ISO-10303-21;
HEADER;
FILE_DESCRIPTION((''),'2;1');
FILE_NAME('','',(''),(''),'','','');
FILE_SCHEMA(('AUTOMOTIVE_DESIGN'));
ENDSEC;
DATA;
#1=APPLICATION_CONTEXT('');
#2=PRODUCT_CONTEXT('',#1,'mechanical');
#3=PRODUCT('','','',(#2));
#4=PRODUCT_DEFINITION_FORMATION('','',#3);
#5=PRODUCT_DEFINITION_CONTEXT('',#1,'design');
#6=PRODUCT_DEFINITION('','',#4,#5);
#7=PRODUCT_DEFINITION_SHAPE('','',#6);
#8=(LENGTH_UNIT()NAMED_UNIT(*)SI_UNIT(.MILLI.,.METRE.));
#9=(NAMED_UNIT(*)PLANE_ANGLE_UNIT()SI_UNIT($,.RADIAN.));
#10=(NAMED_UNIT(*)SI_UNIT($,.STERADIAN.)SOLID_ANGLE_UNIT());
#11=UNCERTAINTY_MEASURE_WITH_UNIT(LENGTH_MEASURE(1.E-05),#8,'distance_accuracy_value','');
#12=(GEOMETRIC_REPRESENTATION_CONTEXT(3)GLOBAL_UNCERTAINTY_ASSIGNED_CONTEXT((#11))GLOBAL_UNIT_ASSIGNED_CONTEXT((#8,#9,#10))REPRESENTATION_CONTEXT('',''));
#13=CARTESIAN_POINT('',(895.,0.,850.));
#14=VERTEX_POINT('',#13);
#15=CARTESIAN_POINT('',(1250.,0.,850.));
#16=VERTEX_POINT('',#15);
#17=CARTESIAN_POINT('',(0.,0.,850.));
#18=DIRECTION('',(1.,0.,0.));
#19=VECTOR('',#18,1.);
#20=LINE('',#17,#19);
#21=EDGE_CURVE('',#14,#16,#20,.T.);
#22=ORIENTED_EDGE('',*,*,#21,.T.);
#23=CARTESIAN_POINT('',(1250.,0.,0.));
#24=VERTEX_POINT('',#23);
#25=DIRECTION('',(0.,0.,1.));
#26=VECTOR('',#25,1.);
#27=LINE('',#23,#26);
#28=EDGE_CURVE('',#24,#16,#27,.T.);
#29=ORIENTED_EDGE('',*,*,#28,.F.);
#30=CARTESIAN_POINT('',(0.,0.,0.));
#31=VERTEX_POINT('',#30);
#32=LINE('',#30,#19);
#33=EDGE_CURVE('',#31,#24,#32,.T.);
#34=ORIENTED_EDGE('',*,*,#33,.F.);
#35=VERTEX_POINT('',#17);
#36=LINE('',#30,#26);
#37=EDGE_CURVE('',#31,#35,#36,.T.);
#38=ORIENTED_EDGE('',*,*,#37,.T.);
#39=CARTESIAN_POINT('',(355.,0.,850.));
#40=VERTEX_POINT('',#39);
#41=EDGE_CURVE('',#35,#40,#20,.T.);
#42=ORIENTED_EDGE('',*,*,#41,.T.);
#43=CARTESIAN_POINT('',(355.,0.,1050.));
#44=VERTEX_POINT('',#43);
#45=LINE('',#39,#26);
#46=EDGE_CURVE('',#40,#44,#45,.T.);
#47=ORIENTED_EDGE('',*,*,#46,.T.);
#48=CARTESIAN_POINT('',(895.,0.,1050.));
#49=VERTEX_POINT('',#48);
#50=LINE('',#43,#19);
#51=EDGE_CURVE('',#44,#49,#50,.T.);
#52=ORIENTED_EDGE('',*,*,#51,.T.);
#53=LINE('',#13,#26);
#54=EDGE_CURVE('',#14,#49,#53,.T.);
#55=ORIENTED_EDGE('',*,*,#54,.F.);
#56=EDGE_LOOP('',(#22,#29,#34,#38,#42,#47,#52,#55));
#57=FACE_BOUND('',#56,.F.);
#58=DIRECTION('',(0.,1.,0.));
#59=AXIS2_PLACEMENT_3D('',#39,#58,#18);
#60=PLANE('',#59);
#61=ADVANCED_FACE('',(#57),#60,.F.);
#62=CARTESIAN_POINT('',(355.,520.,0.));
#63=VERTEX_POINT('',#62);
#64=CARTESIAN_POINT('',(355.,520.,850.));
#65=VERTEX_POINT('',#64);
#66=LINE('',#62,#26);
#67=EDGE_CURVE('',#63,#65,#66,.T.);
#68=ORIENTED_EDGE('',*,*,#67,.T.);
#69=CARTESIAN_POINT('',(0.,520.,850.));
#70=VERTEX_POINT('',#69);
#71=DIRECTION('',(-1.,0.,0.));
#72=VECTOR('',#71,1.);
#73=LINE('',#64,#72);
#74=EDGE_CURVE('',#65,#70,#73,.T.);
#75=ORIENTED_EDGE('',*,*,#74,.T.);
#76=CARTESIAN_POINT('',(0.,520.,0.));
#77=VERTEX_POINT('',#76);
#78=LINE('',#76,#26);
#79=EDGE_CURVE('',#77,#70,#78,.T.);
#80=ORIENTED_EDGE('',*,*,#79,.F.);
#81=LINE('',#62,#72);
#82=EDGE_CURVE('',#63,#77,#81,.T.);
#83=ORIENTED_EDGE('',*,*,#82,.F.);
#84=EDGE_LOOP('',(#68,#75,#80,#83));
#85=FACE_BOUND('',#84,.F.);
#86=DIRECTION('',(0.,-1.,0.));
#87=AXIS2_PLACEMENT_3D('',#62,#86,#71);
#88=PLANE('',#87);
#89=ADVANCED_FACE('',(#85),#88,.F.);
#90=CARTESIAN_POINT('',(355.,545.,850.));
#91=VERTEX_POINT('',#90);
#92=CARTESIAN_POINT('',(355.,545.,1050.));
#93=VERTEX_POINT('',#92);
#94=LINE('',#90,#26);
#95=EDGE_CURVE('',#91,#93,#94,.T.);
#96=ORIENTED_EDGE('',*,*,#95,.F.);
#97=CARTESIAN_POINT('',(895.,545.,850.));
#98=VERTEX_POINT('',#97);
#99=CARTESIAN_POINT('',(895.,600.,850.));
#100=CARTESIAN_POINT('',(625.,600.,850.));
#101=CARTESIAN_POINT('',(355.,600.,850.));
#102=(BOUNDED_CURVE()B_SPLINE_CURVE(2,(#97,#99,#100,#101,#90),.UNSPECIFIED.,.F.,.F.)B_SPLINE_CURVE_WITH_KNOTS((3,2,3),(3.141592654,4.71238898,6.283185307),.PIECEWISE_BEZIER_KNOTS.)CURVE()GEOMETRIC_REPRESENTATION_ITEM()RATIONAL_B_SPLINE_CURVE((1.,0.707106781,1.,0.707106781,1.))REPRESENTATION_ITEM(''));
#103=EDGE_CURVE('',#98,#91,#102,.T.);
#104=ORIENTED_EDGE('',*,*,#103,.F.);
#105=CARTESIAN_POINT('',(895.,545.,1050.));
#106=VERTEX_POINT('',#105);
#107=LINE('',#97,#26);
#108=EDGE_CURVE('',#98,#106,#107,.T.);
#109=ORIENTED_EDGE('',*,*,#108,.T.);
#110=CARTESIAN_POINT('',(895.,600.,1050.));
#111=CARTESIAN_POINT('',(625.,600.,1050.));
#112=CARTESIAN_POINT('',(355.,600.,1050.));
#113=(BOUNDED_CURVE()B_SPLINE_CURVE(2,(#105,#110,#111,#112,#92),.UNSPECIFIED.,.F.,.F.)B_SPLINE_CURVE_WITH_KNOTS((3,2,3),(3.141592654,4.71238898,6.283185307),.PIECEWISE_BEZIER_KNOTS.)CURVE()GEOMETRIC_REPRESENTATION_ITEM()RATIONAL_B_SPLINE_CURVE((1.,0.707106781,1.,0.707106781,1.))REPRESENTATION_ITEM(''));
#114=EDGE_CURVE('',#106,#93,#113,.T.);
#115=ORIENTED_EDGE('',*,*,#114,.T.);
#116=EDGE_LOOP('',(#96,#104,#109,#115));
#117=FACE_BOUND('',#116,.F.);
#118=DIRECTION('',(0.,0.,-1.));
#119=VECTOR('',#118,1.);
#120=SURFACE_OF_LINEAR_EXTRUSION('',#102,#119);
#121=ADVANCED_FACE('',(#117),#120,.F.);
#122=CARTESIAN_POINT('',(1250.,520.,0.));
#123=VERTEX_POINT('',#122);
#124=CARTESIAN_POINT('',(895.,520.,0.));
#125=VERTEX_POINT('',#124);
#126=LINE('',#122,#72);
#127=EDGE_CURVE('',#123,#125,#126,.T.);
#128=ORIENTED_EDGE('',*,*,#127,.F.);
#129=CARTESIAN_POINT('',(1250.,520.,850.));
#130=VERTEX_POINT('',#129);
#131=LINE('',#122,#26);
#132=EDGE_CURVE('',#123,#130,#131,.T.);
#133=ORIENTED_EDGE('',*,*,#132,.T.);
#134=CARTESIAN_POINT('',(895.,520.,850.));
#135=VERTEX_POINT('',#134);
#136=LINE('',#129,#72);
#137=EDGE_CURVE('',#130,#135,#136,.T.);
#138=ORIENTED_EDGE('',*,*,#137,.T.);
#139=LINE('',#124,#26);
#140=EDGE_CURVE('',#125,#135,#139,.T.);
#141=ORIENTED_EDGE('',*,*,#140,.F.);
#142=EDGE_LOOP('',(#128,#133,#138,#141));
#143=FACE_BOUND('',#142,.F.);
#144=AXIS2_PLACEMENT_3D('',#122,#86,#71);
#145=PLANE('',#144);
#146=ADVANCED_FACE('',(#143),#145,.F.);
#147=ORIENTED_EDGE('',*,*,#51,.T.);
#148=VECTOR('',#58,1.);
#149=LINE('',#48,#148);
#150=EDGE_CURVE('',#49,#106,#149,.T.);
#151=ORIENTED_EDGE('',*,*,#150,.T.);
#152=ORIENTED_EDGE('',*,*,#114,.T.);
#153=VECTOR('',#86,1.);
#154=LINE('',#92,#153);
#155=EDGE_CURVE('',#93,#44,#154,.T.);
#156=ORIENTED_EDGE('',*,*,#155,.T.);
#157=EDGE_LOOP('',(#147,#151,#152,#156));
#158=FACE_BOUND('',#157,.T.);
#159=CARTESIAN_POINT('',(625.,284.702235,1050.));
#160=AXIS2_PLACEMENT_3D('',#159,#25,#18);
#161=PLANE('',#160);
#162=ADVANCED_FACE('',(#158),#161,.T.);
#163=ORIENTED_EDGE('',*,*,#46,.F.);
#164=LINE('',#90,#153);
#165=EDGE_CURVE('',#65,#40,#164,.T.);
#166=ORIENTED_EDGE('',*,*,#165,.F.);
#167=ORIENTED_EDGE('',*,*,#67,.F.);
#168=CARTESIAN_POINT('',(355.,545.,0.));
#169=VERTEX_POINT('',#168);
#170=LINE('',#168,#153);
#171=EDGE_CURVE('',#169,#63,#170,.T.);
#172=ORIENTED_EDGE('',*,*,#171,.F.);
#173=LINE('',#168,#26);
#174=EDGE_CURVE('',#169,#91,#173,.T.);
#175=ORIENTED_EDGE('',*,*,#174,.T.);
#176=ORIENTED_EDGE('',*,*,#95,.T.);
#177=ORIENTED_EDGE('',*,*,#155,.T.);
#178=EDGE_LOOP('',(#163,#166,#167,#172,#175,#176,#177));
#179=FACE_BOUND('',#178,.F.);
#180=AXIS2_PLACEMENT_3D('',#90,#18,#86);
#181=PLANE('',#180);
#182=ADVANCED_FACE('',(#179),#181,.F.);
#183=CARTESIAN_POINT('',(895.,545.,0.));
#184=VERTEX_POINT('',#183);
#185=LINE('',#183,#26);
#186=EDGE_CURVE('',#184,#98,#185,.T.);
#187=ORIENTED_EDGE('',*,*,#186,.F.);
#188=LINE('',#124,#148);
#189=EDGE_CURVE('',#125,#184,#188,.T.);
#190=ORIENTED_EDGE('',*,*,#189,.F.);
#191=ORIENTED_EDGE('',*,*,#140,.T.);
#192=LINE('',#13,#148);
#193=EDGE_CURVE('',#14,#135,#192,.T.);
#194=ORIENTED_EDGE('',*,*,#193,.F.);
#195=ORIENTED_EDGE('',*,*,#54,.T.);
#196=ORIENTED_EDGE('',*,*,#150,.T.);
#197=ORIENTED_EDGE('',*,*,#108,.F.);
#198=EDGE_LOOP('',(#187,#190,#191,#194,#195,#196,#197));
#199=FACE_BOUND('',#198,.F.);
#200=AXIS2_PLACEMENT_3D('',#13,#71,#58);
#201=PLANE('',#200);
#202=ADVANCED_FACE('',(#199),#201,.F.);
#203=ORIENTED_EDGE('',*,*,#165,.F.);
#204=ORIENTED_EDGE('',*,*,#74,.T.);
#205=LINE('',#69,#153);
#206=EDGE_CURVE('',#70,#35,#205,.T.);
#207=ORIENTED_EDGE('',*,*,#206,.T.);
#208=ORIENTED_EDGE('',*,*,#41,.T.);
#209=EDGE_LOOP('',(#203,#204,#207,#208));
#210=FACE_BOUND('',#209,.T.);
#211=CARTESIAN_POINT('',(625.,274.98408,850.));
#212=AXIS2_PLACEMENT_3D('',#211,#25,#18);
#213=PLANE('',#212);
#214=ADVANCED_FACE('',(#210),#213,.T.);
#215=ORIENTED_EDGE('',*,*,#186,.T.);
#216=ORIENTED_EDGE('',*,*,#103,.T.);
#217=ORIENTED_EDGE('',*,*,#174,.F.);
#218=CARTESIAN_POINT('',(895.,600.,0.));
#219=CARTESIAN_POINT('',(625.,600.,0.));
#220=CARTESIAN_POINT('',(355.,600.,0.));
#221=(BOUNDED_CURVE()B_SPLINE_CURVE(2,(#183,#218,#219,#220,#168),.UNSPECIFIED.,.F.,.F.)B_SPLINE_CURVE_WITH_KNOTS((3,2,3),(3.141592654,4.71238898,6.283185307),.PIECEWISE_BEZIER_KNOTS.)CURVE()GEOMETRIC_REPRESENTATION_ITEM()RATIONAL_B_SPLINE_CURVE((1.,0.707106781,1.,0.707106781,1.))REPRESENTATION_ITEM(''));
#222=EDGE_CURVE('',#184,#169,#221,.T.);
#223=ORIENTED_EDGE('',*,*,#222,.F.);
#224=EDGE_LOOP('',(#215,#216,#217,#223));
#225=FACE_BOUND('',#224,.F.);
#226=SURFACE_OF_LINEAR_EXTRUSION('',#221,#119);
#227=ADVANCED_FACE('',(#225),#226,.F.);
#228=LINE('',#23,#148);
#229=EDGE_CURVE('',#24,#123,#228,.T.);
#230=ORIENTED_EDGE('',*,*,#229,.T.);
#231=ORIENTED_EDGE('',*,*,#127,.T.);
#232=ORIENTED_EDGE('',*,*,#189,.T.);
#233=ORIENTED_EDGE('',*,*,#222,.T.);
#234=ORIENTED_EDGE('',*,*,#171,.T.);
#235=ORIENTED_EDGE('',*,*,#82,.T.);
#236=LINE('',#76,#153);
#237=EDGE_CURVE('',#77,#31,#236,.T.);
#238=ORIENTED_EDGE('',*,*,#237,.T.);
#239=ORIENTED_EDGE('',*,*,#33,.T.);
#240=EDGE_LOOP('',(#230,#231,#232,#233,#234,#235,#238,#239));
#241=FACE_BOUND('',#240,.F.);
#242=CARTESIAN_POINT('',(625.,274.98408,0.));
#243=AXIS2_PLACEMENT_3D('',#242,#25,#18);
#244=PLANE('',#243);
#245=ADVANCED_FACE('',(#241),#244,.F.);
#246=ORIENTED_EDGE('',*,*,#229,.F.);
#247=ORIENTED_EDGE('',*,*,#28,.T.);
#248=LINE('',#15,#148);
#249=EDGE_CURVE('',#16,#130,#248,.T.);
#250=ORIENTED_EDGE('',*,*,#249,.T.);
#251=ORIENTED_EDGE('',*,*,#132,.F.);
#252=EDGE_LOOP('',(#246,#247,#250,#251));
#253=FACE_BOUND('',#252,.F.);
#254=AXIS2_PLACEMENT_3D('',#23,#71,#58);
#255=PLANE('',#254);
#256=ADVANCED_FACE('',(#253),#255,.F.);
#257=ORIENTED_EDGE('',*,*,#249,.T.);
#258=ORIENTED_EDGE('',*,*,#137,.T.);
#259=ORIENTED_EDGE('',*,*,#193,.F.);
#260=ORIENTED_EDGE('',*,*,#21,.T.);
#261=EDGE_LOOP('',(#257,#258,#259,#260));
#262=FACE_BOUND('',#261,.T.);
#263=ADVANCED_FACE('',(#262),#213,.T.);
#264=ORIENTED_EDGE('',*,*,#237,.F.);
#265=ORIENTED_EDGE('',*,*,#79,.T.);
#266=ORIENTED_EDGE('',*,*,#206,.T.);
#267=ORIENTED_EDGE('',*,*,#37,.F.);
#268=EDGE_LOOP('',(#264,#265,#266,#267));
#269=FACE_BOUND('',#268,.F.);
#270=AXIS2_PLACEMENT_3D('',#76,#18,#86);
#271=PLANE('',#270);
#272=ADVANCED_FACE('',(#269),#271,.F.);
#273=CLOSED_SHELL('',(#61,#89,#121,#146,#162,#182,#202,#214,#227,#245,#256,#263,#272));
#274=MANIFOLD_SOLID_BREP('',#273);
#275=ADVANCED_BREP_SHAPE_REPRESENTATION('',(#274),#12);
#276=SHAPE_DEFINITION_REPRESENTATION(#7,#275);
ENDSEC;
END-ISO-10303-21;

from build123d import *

# Parameters (mm, degrees)
F1_DEPTH = 850
F3_DEPTH = 200


with BuildPart() as f1:
    # F0 (on Top) → F1 (new body)
    with BuildSketch(Plane.XY):
        with BuildLine():
            Line((0, 520), (0, 0))
            Line((0, 0), (1250, 0))
            Line((1250, 0), (1250, 520))
            Line((1250, 520), (895, 520))
            Line((895, 520), (895, 545))
            add(Edge.make_bspline(
                [(895, 545), (895, 600), (625, 600), (355, 600), (355, 545)],
                knots=[3.1415926536, 3.1415926536, 3.1415926536, 4.7123889804, 4.7123889804, 6.2831853072, 6.2831853072, 6.2831853072], degree=2, weights=[1, 0.7071067812, 1, 0.7071067812, 1]))
            Line((355, 545), (355, 520))
            Line((355, 520), (0, 520))
        make_face()
    extrude(amount=F1_DEPTH)

    # F2 (on face) → F3 (join)
    with BuildSketch(Plane.XY.offset(850)):
        with BuildLine():
            Line((895, 520), (895, 545))
            add(Edge.make_bspline(
                [(895, 545), (895, 600), (625, 600), (355, 600), (355, 545)],
                knots=[3.1415926536, 3.1415926536, 3.1415926536, 4.7123889804, 4.7123889804, 6.2831853072, 6.2831853072, 6.2831853072], degree=2, weights=[1, 0.7071067812, 1, 0.7071067812, 1]))
            Line((355, 545), (355, 520))
            Line((355, 520), (355, 0))
            Line((355, 0), (895, 0))
            Line((895, 0), (895, 520))
        make_face()
    extrude(amount=F3_DEPTH)


solid = f1.part
